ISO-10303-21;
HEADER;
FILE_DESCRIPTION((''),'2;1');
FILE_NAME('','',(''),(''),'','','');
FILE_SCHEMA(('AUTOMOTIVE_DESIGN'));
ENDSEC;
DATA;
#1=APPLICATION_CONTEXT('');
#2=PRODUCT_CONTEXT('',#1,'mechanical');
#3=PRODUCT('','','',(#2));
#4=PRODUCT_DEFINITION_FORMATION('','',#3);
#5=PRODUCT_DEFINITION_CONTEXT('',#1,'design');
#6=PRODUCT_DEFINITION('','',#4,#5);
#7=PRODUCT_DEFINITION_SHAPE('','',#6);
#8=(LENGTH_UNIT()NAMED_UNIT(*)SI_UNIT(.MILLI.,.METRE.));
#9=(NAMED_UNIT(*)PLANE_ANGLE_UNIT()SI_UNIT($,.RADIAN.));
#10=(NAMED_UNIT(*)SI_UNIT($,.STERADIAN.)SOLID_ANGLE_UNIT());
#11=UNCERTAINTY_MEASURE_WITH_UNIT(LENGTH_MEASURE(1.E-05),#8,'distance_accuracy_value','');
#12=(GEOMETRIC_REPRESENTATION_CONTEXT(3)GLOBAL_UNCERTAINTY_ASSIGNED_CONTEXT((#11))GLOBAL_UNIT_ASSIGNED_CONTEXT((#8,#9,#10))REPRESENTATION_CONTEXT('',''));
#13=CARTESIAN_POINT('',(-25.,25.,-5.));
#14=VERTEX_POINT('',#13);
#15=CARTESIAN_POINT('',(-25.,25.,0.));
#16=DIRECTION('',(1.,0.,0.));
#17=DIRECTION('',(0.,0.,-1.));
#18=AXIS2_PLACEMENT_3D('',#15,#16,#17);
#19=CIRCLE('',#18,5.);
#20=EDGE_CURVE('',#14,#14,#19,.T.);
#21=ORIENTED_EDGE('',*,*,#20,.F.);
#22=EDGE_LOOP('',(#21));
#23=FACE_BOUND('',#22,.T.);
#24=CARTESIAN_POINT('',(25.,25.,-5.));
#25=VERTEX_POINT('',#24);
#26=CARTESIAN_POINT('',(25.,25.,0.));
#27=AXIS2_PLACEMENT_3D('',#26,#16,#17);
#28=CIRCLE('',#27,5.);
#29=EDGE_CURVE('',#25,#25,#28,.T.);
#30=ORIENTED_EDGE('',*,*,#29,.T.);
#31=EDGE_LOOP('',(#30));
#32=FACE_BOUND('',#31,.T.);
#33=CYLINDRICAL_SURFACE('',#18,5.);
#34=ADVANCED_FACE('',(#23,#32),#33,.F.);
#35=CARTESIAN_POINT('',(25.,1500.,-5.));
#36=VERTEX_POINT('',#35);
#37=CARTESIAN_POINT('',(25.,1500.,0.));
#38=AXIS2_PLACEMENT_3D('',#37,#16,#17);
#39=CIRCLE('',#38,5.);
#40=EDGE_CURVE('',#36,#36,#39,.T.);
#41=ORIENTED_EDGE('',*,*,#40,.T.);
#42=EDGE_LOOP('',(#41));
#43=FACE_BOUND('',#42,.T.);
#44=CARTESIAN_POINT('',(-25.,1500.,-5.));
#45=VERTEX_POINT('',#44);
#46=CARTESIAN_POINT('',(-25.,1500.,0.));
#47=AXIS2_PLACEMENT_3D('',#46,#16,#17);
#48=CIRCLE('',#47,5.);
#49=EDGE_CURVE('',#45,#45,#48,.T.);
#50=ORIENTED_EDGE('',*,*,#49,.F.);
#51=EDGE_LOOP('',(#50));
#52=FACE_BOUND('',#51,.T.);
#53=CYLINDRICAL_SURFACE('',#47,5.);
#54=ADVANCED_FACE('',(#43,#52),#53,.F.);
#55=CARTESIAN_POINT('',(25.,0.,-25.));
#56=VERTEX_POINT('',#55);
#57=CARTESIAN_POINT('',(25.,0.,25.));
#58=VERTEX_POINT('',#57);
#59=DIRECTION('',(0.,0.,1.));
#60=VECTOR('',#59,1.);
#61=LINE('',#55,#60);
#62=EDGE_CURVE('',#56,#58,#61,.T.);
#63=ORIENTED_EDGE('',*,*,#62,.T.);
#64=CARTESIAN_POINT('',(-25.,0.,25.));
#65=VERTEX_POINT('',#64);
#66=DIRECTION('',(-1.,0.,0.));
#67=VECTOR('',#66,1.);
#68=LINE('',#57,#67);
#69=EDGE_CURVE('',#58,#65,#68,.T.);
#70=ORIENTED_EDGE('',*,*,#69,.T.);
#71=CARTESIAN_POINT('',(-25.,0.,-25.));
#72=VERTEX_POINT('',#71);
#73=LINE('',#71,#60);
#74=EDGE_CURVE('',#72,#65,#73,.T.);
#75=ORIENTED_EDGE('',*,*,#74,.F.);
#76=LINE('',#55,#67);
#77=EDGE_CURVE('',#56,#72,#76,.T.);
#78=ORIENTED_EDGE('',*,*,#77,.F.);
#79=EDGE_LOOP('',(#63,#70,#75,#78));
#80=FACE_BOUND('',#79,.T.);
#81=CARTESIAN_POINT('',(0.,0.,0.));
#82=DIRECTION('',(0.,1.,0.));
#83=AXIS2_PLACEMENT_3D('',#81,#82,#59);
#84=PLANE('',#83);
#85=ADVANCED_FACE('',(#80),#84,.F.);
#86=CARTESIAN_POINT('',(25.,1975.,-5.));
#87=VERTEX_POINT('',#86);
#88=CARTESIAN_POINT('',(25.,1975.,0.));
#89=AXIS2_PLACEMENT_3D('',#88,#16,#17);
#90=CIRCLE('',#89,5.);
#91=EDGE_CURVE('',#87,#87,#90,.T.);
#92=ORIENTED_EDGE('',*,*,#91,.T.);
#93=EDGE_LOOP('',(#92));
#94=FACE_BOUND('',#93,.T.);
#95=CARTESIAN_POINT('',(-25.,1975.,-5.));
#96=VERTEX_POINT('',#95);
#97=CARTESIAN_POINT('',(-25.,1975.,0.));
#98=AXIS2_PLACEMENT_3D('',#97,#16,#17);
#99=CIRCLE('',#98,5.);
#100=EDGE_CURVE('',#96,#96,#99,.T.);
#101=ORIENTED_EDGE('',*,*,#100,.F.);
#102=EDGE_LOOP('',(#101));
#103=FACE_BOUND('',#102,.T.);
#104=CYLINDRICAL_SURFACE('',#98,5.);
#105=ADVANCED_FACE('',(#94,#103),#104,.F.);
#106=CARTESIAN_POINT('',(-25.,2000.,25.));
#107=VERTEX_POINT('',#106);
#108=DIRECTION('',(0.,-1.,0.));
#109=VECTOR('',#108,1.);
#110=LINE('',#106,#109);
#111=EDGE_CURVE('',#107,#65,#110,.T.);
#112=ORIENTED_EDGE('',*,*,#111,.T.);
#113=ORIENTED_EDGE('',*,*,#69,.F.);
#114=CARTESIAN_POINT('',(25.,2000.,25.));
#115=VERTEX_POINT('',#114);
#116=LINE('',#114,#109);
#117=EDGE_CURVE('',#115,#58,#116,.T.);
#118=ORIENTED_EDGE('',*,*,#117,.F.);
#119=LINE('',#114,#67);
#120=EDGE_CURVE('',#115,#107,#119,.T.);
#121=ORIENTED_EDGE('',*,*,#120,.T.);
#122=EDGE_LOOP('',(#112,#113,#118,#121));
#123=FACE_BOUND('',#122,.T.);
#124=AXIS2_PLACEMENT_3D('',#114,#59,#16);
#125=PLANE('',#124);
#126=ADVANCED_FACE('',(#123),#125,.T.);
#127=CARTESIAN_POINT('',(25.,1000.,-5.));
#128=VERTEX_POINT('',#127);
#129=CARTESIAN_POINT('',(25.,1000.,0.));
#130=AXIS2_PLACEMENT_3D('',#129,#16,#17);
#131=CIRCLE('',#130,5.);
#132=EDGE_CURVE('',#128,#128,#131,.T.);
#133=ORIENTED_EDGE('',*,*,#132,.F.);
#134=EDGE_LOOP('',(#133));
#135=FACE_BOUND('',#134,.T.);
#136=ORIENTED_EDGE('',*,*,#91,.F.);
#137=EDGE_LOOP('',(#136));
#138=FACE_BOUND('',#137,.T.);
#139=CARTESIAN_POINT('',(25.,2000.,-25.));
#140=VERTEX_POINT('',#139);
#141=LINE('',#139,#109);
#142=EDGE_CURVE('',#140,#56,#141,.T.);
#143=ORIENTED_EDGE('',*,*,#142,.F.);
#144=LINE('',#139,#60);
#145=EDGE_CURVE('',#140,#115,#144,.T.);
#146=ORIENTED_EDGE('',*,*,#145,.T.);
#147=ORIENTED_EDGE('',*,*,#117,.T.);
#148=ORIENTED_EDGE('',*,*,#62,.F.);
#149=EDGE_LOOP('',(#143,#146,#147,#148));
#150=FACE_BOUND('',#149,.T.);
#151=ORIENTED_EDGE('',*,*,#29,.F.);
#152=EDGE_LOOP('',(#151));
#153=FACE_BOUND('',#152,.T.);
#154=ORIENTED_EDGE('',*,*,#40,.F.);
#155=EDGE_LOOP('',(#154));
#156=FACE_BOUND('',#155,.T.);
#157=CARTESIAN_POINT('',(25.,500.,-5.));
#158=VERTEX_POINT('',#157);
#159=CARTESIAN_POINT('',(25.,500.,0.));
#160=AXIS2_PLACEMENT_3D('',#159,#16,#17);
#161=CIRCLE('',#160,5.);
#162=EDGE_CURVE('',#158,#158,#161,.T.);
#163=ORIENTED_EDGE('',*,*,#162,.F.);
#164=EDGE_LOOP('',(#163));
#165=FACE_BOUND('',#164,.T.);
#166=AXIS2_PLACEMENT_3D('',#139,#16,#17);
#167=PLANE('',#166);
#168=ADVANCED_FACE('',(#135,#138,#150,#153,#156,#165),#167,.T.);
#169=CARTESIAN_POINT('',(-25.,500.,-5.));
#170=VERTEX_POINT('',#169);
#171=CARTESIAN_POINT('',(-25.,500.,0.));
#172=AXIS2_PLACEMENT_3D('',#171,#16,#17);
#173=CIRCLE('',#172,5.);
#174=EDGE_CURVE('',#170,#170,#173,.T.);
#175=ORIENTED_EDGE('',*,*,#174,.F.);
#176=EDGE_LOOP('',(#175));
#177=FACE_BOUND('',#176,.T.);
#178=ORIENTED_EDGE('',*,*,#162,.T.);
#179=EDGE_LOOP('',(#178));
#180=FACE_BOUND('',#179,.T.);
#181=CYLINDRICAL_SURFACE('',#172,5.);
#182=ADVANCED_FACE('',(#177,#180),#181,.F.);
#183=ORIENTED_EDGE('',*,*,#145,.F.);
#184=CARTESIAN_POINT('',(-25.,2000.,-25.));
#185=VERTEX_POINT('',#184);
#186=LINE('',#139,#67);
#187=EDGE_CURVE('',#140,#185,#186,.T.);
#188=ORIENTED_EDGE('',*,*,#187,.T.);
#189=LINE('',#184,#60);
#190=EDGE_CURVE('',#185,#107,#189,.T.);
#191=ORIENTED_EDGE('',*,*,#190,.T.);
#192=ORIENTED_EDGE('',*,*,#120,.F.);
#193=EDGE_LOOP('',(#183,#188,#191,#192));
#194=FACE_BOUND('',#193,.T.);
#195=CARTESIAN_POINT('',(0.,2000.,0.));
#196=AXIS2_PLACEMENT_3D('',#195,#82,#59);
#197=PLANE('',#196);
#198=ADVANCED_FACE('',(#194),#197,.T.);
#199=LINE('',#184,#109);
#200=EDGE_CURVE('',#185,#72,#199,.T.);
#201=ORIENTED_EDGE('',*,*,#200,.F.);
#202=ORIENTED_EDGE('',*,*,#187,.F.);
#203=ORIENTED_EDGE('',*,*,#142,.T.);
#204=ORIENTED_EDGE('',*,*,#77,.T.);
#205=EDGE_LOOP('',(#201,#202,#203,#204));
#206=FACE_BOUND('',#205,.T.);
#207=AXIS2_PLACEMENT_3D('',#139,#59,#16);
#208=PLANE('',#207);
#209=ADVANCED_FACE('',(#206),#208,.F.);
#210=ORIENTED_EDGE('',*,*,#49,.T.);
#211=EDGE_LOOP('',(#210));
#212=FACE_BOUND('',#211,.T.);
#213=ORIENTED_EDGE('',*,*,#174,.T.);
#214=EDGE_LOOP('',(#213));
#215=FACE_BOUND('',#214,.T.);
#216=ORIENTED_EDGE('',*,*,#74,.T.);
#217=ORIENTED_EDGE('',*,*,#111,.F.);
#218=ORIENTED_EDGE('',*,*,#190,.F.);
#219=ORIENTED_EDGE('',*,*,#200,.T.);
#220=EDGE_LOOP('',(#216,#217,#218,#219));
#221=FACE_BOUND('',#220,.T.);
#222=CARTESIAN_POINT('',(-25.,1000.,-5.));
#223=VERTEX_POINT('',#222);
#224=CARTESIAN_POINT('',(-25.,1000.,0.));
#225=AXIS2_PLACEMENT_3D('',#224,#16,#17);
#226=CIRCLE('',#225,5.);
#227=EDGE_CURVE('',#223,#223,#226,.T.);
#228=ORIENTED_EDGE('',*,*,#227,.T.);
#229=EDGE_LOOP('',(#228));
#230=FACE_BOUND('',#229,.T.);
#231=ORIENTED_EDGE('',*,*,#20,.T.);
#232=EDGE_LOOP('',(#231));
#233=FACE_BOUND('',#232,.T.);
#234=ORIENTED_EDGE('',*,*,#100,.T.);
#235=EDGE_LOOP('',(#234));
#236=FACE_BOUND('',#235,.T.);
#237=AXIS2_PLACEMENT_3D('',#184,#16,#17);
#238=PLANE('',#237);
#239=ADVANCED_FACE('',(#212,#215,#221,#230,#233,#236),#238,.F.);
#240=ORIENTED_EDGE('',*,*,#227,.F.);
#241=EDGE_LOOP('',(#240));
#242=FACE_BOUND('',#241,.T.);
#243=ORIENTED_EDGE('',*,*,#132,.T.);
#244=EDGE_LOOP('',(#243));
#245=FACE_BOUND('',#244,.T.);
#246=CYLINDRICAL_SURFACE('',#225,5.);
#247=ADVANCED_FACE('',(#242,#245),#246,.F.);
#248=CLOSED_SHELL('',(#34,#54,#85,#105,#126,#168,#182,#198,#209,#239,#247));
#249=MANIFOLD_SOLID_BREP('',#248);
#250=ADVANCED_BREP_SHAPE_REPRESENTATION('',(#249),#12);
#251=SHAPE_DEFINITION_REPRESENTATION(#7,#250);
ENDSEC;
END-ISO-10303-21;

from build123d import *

# Parameters (mm, degrees)
SKETCH_1_W          = 50
SKETCH_1_H          = 50
EXTRUDE_2_DEPTH     = 2000
SKETCH_2_R          = 5
CUT_EXTRUDE_1_DEPTH = 2001.781097472
SKETCH_3_R          = 5
CUT_EXTRUDE_2_DEPTH = 2001.781097472
SKETCH_4_R          = 5
CUT_EXTRUDE_3_DEPTH = 2001.781097472


with BuildPart() as part:
    # Эскиз1 → Бобышка-Вытянуть2 (new body)
    with BuildSketch(Plane(origin=(0, 0, 0), x_dir=(1, 0, 0), z_dir=(0, 1, 0))):
        Rectangle(SKETCH_1_W, SKETCH_1_H)
    extrude(amount=EXTRUDE_2_DEPTH)

    # Эскиз2 → Вырез-Вытянуть1 (cut, through all)
    with BuildSketch(Plane(origin=(25, 0, 0), x_dir=(0, 0, -1), z_dir=(1, 0, 0))):
        with Locations((0, 1975)):
            Circle(SKETCH_2_R)
        with Locations((0, 25)):
            Circle(SKETCH_2_R)
    extrude(amount=-CUT_EXTRUDE_1_DEPTH, mode=Mode.SUBTRACT)

    # Эскиз3 → Вырез-Вытянуть2 (cut, through all)
    with BuildSketch(Plane(origin=(25, 0, 0), x_dir=(0, 0, -1), z_dir=(1, 0, 0))):
        with Locations((0, 1000)):
            Circle(SKETCH_3_R)
    extrude(amount=-CUT_EXTRUDE_2_DEPTH, mode=Mode.SUBTRACT)

    # Эскиз4 → Вырез-Вытянуть3 (cut, through all)
    with BuildSketch(Plane(origin=(25, 0, 0), x_dir=(0, 0, -1), z_dir=(1, 0, 0))):
        with Locations((0, 1500)):
            Circle(SKETCH_4_R)
        with Locations((0, 500)):
            Circle(SKETCH_4_R)
    extrude(amount=-CUT_EXTRUDE_3_DEPTH, mode=Mode.SUBTRACT)


solid = part.part
